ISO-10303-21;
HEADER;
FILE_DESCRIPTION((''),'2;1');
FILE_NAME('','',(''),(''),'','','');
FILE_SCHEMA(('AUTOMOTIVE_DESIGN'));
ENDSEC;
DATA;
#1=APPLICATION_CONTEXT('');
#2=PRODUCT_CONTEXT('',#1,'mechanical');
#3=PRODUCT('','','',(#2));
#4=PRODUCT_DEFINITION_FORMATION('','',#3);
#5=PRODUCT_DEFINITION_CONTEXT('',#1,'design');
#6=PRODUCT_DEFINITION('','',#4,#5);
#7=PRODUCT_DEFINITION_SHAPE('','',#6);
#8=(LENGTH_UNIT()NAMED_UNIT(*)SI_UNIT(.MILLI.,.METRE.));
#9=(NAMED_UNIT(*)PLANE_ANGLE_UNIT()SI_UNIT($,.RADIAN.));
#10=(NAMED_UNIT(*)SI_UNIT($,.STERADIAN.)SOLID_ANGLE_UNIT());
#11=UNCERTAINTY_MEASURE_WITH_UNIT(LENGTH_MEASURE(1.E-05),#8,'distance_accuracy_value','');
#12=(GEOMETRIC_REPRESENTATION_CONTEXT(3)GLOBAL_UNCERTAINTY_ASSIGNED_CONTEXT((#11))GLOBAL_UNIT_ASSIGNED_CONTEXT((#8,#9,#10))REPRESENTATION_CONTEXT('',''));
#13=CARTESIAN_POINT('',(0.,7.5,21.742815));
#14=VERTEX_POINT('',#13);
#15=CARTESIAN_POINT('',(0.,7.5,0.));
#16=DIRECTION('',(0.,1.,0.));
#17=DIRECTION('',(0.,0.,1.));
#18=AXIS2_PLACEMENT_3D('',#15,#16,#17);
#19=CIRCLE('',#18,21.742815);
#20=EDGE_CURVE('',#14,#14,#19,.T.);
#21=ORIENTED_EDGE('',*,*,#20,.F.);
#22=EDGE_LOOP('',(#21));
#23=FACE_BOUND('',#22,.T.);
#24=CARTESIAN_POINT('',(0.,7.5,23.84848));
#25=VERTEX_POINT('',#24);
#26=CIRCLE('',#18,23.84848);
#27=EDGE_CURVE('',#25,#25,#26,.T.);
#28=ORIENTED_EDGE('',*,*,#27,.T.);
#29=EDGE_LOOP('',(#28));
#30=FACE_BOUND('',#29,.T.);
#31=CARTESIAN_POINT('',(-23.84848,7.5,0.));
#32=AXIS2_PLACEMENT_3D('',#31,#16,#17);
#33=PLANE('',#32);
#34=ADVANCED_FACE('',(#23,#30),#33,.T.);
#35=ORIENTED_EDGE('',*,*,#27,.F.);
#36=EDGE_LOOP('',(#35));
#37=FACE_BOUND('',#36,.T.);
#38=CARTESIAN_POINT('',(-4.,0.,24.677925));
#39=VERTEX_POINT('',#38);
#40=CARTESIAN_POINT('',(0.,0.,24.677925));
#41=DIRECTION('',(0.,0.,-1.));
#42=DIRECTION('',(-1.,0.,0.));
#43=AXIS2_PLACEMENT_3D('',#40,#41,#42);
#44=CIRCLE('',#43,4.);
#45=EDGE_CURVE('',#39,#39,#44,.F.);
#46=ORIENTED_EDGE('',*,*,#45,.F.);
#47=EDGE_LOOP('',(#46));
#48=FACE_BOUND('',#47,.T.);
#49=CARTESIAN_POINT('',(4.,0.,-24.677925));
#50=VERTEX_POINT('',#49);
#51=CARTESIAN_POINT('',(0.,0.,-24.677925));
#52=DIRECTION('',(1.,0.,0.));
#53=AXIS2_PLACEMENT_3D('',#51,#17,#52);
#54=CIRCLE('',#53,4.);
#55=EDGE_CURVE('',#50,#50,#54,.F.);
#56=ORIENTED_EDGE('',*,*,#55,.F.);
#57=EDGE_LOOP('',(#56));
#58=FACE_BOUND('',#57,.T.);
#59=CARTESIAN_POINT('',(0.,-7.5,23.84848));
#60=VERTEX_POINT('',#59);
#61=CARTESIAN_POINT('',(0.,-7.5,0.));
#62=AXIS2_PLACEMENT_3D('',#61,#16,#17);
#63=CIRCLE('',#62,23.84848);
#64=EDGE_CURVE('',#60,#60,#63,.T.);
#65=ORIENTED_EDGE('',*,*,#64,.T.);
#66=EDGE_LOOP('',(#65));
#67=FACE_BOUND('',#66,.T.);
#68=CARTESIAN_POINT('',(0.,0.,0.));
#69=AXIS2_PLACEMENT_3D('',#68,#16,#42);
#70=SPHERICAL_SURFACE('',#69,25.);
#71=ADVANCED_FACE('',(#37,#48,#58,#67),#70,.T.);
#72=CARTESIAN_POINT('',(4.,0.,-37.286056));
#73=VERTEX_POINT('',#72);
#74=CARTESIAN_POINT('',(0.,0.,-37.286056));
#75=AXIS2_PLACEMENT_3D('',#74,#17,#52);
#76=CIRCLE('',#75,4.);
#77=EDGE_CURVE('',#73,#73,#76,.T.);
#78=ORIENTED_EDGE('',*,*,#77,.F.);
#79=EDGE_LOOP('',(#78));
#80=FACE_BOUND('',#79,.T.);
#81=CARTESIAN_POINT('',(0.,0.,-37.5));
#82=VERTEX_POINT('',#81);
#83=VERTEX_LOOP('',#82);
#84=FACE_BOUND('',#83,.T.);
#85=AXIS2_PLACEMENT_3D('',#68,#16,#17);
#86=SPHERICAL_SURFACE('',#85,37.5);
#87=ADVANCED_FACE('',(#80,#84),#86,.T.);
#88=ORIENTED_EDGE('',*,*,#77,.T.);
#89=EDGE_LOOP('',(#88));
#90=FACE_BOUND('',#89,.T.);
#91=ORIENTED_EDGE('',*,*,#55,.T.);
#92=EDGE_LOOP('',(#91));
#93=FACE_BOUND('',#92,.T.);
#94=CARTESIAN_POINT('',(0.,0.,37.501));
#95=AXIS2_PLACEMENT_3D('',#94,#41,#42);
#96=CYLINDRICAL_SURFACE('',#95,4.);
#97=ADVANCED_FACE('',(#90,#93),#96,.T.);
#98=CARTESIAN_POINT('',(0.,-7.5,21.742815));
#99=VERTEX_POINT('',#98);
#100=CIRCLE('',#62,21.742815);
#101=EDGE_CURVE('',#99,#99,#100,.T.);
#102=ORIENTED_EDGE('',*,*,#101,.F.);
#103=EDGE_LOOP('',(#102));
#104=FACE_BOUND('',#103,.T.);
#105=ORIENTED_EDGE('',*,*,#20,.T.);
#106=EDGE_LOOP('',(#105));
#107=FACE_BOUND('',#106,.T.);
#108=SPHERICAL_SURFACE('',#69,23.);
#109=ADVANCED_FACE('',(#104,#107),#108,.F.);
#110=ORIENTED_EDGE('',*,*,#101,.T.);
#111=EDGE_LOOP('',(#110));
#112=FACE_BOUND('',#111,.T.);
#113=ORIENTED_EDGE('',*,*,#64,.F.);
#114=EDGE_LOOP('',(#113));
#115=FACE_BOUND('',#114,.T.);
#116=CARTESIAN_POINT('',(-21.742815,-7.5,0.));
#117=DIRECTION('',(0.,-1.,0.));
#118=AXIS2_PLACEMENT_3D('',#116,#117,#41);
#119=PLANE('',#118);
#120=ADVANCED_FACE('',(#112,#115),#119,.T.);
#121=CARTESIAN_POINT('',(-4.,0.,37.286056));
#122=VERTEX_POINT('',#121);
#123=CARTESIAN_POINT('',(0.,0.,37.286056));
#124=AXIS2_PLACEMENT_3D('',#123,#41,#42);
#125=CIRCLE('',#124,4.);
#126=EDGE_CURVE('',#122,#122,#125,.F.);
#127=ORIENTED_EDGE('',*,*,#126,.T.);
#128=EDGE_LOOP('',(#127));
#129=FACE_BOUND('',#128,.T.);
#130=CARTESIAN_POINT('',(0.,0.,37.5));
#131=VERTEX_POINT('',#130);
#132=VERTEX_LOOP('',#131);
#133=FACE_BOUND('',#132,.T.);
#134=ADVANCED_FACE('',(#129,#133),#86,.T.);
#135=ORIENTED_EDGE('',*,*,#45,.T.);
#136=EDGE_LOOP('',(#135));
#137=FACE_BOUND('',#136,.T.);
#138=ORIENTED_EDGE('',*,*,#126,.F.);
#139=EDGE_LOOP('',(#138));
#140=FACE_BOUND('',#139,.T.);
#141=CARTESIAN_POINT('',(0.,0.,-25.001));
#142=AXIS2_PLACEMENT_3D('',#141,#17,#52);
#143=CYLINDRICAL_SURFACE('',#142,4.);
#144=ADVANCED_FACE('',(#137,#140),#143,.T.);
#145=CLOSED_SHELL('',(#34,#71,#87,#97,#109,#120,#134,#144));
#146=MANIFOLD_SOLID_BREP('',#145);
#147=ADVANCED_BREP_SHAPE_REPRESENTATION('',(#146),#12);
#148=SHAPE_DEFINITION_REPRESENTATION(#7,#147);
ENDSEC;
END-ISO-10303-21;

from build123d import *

# Parameters (mm, degrees)
SKETCH3_R           = 4
BOSS_EXTRUDE1_DEPTH = 12.822075


with BuildPart() as part:
    # Sketch1 → Revolve1 (revolve)
    with BuildSketch(Plane.XY):
        with BuildLine():
            Line((-23.848480035, 7.5), (-21.742814905, 7.5))
            ThreePointArc((-21.742814905, 7.5), (-23, 0), (-21.742814905, -7.5))
            Line((-21.742814905, -7.5), (-23.848480035, -7.5))
            ThreePointArc((-23.848480035, -7.5), (-25, 0), (-23.848480035, 7.5))
        make_face()
    revolve(axis=Axis((0, 8.20070368, 0), (0, -1, 0)))

    # Sketch3 → Boss-Extrude1 (add)
    with BuildSketch(Plane.XY.offset(37.5)):
        Circle(SKETCH3_R)
    boss_extrude1 = extrude(amount=-BOSS_EXTRUDE1_DEPTH)

    # Mirror1: Boss-Extrude1 across plane
    add(boss_extrude1.mirror(Plane.XY))

    # Sketch4 → Cut-Revolve1 (revolve, cut)
    with BuildSketch(Plane(origin=(0, 0, 0), x_dir=(0, 0, -1), z_dir=(1, 0, 0))):
        with BuildLine():
            Line((0, 40), (0, 37.5))
            ThreePointArc((0, 37.5), (-37.5, 0), (0, -37.5))
            Line((0, -37.5), (0, -40))
            ThreePointArc((0, -40), (-40, 0), (0, 40))
        make_face()
    revolve(axis=Axis((0, 37.5, 0), (0, -1, 0)), mode=Mode.SUBTRACT)


solid = part.part
